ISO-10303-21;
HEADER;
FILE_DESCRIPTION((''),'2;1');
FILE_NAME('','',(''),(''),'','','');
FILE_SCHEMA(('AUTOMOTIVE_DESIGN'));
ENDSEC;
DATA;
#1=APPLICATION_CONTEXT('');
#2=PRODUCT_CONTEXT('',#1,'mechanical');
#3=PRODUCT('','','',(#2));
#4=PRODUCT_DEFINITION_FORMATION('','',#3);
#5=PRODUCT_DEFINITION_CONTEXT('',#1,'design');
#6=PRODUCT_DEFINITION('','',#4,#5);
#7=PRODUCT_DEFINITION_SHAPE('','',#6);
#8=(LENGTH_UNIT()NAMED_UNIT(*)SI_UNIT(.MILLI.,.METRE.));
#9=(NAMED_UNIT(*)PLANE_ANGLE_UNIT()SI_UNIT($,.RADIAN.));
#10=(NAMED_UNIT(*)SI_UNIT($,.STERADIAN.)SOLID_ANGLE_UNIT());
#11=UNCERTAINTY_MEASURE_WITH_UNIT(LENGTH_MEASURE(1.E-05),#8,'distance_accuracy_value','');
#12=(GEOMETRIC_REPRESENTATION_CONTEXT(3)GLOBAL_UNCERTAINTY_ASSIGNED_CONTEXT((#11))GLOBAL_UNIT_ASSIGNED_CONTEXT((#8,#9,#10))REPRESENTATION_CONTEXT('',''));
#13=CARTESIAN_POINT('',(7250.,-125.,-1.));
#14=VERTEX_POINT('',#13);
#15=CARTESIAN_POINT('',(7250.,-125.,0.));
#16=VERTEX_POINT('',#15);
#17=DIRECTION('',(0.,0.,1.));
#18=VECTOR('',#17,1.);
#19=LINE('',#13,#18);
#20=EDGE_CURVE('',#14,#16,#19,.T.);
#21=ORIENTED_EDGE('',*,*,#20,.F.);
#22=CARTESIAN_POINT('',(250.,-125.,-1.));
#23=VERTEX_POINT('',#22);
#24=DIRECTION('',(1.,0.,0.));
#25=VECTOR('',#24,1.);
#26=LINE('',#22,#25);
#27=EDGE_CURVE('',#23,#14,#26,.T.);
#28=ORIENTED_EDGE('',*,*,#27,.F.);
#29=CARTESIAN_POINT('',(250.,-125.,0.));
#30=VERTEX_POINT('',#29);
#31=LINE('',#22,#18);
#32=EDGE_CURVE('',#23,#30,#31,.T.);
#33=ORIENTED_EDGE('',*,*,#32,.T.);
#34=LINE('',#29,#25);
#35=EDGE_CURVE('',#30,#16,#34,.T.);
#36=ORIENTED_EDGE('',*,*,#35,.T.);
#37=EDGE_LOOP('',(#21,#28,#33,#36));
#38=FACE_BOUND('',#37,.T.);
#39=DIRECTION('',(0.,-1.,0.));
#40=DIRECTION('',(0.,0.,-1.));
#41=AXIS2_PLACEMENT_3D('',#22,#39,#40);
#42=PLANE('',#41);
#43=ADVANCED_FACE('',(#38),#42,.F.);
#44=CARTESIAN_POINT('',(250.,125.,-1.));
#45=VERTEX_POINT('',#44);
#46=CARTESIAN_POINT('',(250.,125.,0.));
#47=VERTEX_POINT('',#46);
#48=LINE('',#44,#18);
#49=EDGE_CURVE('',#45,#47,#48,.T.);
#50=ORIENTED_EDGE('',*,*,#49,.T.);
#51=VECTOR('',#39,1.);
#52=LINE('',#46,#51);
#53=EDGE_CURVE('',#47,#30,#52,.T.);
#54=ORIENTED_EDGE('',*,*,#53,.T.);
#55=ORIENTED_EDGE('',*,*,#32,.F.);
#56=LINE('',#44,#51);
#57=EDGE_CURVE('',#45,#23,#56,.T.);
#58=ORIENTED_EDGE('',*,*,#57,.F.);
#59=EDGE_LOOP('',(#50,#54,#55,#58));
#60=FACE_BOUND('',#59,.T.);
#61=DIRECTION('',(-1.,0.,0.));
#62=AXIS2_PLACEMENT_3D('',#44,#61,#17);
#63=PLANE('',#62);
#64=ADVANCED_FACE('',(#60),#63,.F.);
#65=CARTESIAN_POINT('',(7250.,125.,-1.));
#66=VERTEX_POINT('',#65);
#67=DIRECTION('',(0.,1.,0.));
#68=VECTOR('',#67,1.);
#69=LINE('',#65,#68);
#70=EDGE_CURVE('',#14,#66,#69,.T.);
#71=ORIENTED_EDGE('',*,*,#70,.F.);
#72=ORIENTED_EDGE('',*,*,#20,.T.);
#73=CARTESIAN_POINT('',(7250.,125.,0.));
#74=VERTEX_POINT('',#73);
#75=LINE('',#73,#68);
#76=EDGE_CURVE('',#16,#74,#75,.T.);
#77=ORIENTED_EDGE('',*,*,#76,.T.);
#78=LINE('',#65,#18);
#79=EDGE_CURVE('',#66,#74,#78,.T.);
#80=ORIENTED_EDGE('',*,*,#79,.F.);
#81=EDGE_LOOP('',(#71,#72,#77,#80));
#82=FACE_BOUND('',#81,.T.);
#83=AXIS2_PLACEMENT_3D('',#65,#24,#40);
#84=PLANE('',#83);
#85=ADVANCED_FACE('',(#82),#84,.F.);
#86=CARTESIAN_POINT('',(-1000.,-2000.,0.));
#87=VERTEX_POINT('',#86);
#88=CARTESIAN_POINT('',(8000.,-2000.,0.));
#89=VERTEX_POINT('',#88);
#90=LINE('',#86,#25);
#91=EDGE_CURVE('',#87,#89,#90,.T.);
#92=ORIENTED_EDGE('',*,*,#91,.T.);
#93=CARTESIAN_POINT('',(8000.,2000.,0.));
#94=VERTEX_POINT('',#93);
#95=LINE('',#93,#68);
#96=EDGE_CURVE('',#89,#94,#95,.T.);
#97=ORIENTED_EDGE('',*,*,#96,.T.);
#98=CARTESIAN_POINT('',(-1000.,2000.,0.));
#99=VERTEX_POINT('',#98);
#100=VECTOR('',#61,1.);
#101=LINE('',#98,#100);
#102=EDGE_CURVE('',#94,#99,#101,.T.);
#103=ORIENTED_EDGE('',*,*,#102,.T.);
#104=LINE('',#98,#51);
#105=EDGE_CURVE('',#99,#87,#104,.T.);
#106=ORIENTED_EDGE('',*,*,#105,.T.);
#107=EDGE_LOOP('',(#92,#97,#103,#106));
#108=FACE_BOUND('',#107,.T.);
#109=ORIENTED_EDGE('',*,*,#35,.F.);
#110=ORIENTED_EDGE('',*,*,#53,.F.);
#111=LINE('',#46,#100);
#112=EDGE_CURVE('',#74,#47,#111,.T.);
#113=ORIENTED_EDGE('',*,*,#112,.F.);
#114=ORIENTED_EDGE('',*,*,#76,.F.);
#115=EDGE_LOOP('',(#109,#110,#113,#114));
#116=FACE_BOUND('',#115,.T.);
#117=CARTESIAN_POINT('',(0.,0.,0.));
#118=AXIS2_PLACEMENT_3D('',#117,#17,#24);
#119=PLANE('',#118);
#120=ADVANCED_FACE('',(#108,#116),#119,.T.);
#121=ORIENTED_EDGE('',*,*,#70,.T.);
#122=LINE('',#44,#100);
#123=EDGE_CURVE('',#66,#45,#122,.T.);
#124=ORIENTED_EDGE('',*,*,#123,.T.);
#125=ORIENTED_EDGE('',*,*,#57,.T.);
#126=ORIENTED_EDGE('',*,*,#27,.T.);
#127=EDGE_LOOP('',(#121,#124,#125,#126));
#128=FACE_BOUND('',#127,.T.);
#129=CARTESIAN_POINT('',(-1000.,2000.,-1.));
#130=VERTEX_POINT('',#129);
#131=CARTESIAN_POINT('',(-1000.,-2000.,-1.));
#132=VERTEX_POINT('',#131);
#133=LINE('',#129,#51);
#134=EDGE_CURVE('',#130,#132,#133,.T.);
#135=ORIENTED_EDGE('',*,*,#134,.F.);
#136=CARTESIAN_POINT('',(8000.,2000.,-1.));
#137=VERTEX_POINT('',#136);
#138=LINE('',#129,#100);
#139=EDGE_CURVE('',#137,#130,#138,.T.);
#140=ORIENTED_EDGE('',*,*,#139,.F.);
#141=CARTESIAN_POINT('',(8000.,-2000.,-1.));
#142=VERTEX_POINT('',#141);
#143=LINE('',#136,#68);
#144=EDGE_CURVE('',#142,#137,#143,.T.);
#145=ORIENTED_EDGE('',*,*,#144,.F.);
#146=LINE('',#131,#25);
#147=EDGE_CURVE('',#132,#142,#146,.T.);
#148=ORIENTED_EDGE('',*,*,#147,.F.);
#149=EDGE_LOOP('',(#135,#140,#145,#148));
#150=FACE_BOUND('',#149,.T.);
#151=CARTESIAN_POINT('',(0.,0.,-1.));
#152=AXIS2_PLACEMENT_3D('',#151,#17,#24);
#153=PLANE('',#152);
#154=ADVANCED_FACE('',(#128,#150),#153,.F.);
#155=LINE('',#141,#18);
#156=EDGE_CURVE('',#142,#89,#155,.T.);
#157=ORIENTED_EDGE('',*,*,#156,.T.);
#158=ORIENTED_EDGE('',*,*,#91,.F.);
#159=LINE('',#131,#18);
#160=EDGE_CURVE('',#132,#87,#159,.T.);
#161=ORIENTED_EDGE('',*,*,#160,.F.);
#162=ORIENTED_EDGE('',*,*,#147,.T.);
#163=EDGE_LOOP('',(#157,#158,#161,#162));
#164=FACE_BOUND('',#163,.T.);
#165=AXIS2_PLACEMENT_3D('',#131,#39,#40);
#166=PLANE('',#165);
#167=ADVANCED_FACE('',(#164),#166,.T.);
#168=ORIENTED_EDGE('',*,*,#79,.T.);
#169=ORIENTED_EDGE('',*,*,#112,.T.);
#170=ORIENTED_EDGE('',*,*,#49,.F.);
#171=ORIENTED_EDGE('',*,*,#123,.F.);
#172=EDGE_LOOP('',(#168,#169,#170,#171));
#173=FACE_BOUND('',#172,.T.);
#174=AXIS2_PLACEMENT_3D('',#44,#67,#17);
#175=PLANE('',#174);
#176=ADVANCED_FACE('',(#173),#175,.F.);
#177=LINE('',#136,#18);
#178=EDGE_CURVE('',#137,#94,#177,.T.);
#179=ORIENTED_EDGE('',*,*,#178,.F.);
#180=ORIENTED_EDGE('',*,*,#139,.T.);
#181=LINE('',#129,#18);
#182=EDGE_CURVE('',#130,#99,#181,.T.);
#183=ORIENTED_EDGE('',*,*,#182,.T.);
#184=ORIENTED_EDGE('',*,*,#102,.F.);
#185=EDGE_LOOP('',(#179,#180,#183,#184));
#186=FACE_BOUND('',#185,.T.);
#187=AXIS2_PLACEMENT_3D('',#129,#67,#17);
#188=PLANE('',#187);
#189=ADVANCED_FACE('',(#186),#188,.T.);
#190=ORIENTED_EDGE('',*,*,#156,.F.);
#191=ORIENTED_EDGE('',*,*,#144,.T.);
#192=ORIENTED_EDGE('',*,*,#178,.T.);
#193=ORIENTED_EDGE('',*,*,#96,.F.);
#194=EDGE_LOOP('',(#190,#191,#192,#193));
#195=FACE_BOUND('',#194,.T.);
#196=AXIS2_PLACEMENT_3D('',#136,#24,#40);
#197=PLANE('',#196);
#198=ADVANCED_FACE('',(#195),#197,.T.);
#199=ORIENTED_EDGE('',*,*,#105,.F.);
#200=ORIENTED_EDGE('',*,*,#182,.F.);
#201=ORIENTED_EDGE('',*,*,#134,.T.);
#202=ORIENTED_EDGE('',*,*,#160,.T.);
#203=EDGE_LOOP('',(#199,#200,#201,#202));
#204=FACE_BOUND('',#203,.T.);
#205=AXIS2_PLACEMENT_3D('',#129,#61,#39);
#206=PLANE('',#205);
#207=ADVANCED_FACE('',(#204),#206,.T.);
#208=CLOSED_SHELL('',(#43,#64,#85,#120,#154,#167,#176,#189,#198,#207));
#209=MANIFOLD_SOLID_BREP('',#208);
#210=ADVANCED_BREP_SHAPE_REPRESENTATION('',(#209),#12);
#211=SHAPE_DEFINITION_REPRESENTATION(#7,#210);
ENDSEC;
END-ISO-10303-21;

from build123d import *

# Parameters (mm, degrees)
SKETCH2_W           = 9000
SKETCH2_H           = 4000
SKETCH2_W_2         = 7000
SKETCH2_H_2         = 250
BOSS_EXTRUDE3_DEPTH = 1


with BuildPart() as part:
    # Sketch2 → Boss-Extrude3 (new body)
    with BuildSketch(Plane.XY):
        with Locations((3500, 0)):
            Rectangle(SKETCH2_W, SKETCH2_H)
        with Locations((3750, 0)):
            Rectangle(SKETCH2_W_2, SKETCH2_H_2, mode=Mode.SUBTRACT)
    extrude(amount=-BOSS_EXTRUDE3_DEPTH)


solid = part.part
